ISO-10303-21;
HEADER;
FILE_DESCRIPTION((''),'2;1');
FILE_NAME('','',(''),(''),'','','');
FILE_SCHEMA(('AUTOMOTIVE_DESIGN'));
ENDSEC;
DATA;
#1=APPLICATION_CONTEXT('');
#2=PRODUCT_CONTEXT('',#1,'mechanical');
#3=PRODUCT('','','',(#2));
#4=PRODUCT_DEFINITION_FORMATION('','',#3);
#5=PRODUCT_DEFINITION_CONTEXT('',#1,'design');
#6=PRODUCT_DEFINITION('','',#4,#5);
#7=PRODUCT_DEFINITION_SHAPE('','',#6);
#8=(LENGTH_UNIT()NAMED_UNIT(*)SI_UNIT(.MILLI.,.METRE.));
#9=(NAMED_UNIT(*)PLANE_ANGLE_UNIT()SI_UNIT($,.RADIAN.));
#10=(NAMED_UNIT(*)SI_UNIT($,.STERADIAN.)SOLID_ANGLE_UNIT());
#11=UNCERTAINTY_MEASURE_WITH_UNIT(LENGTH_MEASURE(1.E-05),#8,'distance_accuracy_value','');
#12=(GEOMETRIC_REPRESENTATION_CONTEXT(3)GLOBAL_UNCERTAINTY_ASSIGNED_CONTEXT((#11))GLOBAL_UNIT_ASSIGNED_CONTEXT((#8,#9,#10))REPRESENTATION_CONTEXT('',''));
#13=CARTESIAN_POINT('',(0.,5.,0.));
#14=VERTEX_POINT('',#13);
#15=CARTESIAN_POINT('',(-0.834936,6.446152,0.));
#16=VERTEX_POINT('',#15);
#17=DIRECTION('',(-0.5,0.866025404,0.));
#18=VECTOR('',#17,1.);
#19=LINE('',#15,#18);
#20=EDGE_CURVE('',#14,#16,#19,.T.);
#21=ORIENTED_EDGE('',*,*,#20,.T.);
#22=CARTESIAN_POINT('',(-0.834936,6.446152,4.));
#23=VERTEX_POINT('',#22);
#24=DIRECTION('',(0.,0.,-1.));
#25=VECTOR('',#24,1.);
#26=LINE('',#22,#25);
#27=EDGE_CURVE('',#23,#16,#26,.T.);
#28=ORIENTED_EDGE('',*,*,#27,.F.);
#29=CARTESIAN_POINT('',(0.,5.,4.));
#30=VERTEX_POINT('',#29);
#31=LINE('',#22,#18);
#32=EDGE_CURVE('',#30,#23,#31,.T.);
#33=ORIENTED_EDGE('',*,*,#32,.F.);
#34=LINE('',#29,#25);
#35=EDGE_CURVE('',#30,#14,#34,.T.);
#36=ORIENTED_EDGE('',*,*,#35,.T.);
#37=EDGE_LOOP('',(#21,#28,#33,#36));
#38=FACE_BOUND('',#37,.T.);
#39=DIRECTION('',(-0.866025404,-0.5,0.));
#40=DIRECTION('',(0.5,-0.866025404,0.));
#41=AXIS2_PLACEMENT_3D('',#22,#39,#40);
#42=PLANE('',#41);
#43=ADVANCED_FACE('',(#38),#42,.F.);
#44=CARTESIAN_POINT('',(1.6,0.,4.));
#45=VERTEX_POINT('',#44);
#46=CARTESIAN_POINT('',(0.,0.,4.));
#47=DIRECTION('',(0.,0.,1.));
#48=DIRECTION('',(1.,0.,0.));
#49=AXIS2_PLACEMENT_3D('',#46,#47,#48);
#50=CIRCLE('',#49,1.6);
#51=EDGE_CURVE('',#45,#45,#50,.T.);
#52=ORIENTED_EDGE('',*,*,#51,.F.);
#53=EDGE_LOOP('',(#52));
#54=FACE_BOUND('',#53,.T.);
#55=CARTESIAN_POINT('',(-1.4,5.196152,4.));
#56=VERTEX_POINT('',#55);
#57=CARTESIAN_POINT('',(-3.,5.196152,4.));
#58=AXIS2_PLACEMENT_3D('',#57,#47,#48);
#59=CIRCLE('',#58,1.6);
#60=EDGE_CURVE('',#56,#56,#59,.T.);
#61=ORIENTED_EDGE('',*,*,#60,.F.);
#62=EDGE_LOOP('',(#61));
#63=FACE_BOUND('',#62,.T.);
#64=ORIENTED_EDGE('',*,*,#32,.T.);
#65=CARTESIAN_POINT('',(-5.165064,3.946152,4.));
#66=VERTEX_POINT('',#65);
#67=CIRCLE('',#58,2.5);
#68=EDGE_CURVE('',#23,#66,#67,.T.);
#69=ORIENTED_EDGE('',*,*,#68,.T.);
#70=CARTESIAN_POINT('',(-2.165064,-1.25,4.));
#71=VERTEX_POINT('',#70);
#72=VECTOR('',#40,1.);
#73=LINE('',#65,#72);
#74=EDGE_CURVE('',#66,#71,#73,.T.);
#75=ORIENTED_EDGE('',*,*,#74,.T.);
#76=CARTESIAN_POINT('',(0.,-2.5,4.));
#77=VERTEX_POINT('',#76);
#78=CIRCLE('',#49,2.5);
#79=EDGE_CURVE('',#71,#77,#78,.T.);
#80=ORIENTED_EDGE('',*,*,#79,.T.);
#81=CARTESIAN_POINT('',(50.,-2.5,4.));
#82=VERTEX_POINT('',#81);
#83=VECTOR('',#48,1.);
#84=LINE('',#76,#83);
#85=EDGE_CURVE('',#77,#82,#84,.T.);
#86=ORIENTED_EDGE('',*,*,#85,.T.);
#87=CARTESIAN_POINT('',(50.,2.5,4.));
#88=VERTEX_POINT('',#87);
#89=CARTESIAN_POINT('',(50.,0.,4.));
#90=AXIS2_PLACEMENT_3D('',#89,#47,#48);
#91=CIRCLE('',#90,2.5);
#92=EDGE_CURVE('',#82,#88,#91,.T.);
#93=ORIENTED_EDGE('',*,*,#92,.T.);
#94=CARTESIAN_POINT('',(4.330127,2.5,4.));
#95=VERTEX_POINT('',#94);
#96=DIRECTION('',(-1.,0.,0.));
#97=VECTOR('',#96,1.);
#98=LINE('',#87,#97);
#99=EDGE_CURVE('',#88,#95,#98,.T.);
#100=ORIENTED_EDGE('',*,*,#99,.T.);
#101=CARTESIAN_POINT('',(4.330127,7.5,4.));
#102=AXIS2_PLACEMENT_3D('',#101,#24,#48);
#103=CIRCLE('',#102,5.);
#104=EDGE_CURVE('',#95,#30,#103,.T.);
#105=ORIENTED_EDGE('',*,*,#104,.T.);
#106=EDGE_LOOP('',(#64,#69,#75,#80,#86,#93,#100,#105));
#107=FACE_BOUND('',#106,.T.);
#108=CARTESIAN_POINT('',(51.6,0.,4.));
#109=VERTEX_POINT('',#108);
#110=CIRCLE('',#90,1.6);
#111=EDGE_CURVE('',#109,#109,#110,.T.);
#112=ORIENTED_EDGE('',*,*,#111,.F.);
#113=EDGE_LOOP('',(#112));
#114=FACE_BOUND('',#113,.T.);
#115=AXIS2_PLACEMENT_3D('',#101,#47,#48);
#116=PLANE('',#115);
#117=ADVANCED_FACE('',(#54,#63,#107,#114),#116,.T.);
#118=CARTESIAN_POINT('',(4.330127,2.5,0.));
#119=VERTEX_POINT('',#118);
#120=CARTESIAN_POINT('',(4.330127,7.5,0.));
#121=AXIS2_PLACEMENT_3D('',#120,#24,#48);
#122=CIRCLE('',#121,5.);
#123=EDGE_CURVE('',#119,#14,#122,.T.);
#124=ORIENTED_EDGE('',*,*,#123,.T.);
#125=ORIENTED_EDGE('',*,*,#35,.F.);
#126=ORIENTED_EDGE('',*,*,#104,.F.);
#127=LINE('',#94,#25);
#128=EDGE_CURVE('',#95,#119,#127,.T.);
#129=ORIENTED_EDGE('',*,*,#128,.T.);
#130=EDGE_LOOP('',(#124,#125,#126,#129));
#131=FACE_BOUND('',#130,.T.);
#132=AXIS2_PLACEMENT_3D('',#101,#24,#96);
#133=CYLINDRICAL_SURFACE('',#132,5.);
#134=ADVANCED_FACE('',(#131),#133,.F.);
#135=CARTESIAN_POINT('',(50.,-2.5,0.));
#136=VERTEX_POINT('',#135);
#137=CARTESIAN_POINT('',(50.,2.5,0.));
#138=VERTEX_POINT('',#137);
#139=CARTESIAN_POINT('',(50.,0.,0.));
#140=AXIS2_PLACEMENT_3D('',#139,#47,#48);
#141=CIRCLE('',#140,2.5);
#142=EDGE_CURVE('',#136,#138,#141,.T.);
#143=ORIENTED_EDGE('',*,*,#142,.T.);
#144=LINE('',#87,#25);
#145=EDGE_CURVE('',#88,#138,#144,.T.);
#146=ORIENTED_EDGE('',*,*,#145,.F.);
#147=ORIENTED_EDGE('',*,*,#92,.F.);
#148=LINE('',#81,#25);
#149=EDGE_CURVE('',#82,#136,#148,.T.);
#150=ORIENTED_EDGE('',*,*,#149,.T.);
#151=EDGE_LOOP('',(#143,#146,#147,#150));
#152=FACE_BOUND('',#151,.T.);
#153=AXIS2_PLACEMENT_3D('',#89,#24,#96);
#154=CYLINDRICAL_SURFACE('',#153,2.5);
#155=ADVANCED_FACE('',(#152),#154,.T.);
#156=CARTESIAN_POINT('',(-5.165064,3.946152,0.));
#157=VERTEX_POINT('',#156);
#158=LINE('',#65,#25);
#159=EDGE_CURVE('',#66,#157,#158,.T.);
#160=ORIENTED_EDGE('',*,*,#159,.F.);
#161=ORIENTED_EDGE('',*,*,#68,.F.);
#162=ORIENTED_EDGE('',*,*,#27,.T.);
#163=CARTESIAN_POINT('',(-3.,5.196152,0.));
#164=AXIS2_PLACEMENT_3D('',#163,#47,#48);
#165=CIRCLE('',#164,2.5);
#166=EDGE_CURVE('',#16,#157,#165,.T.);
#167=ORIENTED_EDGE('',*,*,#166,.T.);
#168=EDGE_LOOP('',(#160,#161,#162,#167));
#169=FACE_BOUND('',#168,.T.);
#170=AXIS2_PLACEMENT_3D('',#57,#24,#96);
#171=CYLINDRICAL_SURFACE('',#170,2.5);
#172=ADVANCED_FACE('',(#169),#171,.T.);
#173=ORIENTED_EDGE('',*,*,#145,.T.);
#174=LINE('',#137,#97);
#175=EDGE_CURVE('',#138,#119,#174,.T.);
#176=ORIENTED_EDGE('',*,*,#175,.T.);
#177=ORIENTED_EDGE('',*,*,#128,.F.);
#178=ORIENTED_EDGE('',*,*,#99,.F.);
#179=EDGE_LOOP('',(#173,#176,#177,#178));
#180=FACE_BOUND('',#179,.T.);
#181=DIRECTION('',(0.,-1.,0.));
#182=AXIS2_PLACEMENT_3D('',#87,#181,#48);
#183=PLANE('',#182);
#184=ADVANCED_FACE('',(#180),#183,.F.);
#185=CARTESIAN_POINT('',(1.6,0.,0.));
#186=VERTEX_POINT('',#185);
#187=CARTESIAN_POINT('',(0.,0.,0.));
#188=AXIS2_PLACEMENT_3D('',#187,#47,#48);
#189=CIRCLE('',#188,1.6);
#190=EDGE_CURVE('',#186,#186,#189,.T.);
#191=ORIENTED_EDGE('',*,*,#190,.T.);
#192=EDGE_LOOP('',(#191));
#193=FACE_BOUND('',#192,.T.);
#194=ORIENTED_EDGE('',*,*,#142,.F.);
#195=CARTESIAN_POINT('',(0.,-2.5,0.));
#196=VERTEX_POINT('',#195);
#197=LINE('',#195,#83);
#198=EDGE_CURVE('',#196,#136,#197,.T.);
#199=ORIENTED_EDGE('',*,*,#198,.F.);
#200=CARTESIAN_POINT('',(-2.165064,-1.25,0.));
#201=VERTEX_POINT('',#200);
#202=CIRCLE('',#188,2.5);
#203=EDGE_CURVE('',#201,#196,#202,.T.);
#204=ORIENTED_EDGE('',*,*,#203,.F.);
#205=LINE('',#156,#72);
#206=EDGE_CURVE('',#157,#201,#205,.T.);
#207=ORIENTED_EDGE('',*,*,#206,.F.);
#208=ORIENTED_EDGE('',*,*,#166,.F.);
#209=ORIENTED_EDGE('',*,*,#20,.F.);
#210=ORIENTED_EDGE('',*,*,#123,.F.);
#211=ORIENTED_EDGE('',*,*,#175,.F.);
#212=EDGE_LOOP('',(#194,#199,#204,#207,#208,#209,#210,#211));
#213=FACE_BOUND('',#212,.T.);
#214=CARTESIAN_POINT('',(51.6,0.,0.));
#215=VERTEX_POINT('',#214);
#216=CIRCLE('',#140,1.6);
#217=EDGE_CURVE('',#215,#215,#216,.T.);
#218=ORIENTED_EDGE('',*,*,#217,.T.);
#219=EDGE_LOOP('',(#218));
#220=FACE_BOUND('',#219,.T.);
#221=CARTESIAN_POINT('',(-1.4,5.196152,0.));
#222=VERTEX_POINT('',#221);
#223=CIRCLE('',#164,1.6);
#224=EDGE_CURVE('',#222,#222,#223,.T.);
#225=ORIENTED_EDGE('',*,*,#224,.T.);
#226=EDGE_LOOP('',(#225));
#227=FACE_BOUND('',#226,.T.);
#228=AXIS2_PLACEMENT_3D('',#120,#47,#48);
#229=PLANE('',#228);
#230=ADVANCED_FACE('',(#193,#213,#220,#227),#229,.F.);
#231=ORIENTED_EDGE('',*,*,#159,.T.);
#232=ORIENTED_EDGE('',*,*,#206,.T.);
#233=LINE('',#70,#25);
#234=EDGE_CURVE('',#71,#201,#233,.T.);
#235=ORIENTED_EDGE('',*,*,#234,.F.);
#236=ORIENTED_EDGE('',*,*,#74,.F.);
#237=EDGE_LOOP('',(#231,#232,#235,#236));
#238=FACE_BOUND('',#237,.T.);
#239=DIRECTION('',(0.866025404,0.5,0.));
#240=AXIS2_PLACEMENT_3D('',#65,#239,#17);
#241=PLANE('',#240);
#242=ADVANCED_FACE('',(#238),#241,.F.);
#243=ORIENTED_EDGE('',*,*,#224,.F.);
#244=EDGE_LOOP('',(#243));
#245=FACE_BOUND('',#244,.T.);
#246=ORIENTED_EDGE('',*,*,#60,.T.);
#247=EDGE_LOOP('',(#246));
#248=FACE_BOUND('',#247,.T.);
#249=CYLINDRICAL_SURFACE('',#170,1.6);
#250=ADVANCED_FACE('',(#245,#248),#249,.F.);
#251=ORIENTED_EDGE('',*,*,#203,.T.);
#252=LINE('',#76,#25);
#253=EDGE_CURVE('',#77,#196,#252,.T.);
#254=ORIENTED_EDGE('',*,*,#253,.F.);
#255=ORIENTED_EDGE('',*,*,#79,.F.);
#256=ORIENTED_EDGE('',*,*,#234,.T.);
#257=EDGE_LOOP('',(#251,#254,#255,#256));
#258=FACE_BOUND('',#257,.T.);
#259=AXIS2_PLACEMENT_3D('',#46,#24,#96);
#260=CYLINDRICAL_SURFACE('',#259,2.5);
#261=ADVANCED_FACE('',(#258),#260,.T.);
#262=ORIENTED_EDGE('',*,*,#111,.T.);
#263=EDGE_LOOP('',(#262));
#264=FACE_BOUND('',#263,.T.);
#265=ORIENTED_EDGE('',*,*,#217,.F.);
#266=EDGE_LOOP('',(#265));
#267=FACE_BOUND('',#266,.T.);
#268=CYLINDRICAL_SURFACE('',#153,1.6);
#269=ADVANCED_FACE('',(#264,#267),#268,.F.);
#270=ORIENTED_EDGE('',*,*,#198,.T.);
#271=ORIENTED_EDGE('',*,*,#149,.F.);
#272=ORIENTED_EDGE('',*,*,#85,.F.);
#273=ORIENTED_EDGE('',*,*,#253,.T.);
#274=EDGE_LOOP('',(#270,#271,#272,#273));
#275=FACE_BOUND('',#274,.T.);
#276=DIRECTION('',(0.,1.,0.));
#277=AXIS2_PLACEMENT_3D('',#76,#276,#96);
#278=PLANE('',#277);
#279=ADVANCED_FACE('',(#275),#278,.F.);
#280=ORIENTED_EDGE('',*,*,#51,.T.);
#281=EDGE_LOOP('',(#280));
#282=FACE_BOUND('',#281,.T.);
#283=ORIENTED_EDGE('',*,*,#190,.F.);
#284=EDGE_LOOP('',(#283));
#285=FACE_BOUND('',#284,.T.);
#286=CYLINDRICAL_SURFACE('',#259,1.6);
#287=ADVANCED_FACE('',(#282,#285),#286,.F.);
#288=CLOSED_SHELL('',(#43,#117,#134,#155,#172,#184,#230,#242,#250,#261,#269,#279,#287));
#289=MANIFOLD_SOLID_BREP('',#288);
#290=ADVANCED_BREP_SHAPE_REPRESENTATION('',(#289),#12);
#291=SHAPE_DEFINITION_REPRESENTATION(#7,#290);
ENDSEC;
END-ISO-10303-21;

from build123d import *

# Parameters (mm, degrees)
SKETCH_1_R      = 1.6
EXTRUDE_1_DEPTH = 4


with BuildPart() as part:
    # ｽｹｯﾁ1 → ﾎﾞｽ - 押し出し1 (new body)
    with BuildSketch(Plane.XY):
        with BuildLine():
            Line((-5.165063509, 3.946152423), (-2.165063509, -1.25))
            ThreePointArc((-2.165063509, -1.25), (-1.25, -2.165063509), (0, -2.5))
            Line((0, -2.5), (50, -2.5))
            ThreePointArc((50, -2.5), (52.5, 0), (50, 2.5))
            Line((50, 2.5), (4.330127019, 2.5))
            ThreePointArc((4.330127019, 2.5), (1.830127019, 3.169872981), (0, 5))
            Line((0, 5), (-0.834936491, 6.446152423))
            ThreePointArc((-0.834936491, 6.446152423), (-4.25, 7.361215932), (-5.165063509, 3.946152423))
        make_face()
        with Locations((-3, 5.196152423)):
            Circle(SKETCH_1_R, mode=Mode.SUBTRACT)
        Circle(SKETCH_1_R, mode=Mode.SUBTRACT)
        with Locations((50, 0)):
            Circle(SKETCH_1_R, mode=Mode.SUBTRACT)
    extrude(amount=EXTRUDE_1_DEPTH)


solid = part.part
